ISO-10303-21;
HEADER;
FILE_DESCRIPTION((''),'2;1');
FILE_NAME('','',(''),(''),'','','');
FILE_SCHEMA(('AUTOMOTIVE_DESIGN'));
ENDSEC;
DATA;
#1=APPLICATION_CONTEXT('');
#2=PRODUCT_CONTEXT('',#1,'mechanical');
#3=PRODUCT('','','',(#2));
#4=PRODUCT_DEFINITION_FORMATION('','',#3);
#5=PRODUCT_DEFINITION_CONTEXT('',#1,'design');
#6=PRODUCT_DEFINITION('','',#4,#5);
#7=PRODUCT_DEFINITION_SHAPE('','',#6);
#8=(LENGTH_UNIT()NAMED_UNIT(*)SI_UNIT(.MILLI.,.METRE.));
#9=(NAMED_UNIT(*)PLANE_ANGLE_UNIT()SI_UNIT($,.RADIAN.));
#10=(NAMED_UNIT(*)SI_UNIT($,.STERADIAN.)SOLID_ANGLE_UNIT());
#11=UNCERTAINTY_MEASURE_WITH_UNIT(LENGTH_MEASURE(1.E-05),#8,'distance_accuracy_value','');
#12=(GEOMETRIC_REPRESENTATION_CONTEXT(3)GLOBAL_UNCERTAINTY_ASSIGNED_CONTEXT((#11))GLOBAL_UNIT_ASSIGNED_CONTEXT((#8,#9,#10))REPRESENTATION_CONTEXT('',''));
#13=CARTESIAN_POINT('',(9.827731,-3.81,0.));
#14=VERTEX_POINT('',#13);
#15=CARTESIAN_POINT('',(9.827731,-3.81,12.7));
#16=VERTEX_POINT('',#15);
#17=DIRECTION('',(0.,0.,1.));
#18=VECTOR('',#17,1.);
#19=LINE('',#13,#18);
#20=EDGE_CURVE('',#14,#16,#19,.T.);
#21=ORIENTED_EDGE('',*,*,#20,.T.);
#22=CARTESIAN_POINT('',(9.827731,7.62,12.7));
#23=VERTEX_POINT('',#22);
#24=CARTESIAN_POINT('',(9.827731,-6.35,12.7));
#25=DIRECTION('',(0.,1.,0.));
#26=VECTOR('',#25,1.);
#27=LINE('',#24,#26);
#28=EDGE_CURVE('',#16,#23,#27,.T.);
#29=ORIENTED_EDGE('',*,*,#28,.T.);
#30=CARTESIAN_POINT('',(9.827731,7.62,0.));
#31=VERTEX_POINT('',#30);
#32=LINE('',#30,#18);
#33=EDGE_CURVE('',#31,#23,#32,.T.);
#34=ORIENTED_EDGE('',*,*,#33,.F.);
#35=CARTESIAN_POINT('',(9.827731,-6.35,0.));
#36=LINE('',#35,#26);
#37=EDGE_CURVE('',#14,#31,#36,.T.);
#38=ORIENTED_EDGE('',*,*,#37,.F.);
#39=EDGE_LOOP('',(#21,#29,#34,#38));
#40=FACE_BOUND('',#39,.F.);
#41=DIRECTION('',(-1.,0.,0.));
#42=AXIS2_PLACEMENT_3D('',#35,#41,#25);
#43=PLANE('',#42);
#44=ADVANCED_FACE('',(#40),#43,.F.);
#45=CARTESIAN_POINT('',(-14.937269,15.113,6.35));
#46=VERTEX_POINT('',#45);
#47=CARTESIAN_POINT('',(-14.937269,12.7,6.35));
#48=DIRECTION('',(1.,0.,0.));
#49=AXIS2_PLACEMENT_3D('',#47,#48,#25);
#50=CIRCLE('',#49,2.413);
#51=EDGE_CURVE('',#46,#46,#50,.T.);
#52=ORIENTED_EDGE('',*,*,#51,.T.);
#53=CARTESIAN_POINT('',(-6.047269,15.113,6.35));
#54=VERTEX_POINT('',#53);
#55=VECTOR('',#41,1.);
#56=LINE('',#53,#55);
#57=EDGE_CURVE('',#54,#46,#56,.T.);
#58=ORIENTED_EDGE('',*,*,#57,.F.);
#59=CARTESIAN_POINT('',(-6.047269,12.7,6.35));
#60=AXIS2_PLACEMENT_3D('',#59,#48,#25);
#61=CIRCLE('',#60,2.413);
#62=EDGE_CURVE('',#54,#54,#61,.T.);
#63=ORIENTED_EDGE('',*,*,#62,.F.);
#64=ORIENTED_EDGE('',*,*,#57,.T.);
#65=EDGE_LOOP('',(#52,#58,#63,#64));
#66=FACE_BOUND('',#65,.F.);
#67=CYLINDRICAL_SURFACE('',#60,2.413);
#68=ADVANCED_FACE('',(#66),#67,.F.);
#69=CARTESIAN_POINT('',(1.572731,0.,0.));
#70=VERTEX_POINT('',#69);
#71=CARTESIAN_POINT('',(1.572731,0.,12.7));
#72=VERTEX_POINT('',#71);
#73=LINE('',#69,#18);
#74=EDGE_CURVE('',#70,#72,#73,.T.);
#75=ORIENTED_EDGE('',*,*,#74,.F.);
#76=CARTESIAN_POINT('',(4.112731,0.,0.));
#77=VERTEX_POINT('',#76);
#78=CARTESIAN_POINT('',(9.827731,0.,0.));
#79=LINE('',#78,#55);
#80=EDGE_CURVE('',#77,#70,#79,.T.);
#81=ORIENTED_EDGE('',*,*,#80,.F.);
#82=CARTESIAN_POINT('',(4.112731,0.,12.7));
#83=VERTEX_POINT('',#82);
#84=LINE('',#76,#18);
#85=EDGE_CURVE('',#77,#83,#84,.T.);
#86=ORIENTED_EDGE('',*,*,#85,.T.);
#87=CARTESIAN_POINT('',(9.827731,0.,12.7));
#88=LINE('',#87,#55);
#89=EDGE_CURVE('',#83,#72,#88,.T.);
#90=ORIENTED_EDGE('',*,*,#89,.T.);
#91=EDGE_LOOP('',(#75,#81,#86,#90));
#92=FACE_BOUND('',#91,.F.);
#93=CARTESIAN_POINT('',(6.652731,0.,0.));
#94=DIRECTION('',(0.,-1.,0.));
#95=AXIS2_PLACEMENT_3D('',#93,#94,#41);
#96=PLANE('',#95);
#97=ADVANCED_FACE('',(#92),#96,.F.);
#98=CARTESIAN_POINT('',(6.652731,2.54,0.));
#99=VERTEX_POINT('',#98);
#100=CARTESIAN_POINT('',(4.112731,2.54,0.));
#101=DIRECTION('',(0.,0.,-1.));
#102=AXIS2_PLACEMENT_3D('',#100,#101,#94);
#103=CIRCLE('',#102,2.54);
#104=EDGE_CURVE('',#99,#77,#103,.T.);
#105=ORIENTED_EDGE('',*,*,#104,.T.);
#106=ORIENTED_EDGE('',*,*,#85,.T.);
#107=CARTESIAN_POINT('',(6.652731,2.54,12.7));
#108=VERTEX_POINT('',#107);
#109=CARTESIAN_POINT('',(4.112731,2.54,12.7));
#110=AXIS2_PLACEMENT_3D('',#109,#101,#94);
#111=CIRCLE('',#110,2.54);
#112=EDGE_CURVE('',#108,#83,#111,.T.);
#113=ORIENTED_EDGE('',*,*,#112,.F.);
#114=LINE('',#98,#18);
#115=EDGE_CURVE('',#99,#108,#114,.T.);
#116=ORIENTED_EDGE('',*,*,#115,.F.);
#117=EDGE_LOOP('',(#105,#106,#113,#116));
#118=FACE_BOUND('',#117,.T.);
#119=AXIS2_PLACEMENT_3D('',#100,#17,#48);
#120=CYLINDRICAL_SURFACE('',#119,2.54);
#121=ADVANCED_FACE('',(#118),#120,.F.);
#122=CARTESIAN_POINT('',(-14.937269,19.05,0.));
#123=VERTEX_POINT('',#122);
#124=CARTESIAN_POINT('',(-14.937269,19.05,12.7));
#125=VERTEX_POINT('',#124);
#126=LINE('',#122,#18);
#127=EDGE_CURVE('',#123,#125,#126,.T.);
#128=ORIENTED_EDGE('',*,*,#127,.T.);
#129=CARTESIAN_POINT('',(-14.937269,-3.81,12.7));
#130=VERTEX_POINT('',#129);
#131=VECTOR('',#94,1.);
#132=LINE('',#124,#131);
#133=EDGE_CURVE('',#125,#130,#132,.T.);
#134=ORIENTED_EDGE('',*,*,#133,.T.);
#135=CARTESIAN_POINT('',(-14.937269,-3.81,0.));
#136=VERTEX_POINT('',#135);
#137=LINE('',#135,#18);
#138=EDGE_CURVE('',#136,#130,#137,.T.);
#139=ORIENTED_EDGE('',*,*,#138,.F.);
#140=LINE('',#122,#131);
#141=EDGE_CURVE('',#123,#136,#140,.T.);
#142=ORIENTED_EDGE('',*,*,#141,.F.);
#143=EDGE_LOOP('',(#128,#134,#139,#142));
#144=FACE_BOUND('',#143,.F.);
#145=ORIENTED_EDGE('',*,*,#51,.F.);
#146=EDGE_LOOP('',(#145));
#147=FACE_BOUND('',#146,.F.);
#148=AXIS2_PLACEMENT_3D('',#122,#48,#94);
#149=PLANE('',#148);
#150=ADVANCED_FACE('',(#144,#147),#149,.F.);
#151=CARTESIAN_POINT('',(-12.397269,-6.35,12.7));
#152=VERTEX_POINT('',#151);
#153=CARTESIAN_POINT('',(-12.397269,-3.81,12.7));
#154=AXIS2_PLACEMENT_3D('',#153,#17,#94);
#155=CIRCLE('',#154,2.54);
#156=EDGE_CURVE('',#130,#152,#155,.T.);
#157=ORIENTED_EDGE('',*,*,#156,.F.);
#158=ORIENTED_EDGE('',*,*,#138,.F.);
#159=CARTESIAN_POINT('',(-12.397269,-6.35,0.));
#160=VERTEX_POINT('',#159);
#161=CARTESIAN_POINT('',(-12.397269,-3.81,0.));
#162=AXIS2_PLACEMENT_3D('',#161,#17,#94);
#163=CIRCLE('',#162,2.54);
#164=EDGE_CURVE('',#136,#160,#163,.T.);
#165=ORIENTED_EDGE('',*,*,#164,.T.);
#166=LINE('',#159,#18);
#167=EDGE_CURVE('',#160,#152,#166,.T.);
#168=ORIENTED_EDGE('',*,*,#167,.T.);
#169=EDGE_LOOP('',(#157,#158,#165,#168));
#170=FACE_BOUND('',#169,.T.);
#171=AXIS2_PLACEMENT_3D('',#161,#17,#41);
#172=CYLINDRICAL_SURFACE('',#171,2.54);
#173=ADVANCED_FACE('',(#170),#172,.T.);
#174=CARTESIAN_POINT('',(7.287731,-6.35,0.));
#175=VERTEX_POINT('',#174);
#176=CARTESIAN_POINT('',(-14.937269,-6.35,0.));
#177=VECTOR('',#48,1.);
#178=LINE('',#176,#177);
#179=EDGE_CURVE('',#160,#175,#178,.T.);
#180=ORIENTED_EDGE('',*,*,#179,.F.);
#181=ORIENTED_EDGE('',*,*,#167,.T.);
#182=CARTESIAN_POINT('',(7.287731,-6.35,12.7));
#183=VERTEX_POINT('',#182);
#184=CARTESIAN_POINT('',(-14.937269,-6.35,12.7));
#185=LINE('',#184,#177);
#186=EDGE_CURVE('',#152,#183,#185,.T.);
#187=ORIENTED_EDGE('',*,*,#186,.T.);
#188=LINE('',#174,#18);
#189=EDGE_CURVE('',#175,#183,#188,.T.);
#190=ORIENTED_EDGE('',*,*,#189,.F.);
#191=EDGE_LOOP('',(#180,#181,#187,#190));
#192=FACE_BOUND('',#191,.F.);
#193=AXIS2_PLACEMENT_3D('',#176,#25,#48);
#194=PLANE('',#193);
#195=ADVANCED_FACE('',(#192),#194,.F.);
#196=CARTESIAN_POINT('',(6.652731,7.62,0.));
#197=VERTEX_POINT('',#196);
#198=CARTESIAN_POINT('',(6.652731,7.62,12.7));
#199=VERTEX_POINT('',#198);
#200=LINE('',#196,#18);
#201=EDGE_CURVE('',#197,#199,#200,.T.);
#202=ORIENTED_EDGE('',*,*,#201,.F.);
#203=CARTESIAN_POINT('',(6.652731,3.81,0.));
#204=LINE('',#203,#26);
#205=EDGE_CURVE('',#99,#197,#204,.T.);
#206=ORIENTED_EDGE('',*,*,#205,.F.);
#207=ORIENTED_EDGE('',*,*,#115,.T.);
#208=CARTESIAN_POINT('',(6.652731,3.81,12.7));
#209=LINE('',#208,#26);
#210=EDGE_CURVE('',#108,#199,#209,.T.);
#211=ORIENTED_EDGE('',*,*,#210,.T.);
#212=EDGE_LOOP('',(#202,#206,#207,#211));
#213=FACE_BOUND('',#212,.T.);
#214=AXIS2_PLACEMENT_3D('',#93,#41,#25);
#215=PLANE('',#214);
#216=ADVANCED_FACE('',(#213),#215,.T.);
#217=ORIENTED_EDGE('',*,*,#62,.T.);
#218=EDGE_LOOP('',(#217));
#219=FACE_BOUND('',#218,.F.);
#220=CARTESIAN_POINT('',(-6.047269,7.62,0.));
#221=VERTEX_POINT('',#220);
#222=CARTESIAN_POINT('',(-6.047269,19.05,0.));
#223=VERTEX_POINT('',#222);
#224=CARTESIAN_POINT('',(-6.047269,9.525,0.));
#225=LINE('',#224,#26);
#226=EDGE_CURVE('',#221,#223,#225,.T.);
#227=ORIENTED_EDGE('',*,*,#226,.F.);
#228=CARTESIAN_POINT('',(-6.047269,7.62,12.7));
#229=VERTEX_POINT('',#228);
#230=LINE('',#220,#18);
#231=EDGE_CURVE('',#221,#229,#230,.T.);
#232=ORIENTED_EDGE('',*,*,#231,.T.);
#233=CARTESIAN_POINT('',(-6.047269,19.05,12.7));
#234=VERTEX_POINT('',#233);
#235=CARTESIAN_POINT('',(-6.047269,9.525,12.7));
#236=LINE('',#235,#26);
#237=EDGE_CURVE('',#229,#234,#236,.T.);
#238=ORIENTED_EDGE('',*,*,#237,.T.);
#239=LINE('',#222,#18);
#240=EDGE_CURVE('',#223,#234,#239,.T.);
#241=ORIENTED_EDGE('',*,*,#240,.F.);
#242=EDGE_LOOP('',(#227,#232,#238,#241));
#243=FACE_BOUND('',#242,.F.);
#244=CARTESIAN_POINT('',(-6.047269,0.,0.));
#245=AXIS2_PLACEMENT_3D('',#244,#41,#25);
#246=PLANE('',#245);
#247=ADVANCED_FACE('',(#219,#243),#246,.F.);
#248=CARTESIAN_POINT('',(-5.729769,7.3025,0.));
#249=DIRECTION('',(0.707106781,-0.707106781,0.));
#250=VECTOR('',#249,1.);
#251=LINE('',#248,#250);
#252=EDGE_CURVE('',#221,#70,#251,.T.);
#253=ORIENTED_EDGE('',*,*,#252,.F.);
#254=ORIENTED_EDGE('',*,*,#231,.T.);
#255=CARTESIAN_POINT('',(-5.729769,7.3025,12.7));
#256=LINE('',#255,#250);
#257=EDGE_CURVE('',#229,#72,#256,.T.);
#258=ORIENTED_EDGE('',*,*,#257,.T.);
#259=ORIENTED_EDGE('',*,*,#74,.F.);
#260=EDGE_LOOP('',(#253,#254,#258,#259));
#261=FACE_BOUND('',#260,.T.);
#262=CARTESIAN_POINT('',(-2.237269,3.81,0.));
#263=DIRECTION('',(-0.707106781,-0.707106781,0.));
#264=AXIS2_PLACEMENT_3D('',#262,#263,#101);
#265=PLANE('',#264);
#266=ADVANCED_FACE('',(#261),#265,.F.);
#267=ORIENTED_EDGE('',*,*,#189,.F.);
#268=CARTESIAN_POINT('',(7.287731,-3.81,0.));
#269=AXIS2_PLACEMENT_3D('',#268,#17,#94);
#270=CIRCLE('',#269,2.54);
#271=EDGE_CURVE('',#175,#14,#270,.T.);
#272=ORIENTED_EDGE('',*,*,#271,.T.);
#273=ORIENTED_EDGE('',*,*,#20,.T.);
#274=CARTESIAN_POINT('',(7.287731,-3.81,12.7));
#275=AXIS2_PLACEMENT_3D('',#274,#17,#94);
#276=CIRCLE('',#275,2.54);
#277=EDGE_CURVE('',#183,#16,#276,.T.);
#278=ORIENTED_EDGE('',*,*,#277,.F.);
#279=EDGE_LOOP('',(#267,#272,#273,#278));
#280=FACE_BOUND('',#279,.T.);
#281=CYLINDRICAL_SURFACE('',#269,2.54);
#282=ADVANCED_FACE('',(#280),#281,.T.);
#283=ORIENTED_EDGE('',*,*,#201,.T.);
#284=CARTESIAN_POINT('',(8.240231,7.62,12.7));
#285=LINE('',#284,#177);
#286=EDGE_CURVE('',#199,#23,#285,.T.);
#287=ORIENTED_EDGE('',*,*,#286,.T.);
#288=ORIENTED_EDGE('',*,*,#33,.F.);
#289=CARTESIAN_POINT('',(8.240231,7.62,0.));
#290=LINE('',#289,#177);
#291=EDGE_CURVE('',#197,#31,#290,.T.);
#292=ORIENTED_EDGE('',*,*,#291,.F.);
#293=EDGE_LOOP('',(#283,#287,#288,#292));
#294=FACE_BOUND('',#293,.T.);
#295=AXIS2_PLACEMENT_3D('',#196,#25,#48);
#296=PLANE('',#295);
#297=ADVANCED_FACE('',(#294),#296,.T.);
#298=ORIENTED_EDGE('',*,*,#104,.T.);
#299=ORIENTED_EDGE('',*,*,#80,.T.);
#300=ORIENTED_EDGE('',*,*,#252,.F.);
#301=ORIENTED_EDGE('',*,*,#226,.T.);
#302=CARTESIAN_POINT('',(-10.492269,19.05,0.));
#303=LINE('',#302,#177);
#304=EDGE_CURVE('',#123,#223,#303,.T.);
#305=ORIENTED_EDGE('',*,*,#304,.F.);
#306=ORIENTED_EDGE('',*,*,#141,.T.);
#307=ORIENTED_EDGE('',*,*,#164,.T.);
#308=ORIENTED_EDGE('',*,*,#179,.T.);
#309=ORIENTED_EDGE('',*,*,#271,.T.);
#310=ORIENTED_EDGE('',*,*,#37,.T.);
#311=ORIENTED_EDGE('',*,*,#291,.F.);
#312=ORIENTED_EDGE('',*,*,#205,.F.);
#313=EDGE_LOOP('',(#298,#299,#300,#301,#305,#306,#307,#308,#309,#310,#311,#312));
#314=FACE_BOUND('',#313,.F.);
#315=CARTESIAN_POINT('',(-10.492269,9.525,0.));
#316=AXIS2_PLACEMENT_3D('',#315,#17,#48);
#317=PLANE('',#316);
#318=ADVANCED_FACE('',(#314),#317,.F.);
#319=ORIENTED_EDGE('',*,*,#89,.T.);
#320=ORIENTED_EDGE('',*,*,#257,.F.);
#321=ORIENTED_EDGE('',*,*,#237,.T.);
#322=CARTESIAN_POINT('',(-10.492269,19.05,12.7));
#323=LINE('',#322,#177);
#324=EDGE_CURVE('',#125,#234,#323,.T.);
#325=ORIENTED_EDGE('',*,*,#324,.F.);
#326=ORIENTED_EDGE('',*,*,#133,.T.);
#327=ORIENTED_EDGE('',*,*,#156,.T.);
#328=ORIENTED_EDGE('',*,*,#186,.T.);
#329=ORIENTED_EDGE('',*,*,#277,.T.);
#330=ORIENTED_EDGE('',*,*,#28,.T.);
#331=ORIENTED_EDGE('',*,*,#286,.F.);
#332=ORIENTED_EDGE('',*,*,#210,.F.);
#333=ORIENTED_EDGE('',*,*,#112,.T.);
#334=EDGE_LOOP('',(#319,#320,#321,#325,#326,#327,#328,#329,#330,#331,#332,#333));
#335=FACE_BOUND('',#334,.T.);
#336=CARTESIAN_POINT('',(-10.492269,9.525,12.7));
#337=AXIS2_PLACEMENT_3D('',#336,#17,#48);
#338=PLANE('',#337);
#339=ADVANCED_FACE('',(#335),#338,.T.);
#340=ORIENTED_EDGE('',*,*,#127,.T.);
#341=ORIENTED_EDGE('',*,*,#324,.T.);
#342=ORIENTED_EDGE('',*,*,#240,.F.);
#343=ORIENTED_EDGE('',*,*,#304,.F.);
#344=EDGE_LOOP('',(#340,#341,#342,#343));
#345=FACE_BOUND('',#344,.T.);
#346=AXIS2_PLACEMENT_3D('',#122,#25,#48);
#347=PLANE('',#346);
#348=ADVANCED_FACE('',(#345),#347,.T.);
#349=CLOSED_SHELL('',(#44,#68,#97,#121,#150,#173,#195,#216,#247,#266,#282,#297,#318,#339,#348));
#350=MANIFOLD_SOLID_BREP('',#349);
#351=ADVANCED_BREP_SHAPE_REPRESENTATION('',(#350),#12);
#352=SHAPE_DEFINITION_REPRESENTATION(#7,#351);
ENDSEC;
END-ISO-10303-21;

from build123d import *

# Parameters (mm, degrees)
F0_W     = 8.89
F0_H     = 19.05
F0_W_2   = 3.175
F0_H_2   = 7.62
F1_DEPTH = 12.7
F2_R     = 2.54
F3_R     = 2.413
F4_DEPTH = 25.4
F5_SIZE  = 7.62


with BuildPart() as f1:
    # F0 (on Top) → F1 (new body)
    with BuildSketch(Plane.XY):
        with Locations((-10.492269, 9.525)):
            Rectangle(F0_W, F0_H)
        Polygon((-6.047269, 0), (-14.937269, 0), (-14.937269, -6.35), (9.827731, -6.35), (9.827731, 0), (6.652731, 0), align=None)
        with Locations((8.240231, 3.81)):
            Rectangle(F0_W_2, F0_H_2)
    extrude(amount=F1_DEPTH)

    # F2
    f2_edges = [f1.edges().sort_by_distance(p)[0] for p in [
        (6.652731, 0, 6.35),
        (9.827731, -6.35, 6.35),
        (-14.937269, -6.35, 6.35),
    ]]
    fillet(f2_edges, radius=F2_R)

    # F3 (on face) → F4 (cut)
    with BuildSketch(Plane.YZ.offset(-6.047269)):
        with Locations((12.7, 6.35)):
            Circle(F3_R)
    extrude(amount=-F4_DEPTH, mode=Mode.SUBTRACT)

    # F5
    f5_edges = [f1.edges().sort_by_distance(p)[0] for p in [
        (-6.047269, 0, 6.35),
    ]]
    chamfer(f5_edges, length=F5_SIZE)


solid = f1.part
